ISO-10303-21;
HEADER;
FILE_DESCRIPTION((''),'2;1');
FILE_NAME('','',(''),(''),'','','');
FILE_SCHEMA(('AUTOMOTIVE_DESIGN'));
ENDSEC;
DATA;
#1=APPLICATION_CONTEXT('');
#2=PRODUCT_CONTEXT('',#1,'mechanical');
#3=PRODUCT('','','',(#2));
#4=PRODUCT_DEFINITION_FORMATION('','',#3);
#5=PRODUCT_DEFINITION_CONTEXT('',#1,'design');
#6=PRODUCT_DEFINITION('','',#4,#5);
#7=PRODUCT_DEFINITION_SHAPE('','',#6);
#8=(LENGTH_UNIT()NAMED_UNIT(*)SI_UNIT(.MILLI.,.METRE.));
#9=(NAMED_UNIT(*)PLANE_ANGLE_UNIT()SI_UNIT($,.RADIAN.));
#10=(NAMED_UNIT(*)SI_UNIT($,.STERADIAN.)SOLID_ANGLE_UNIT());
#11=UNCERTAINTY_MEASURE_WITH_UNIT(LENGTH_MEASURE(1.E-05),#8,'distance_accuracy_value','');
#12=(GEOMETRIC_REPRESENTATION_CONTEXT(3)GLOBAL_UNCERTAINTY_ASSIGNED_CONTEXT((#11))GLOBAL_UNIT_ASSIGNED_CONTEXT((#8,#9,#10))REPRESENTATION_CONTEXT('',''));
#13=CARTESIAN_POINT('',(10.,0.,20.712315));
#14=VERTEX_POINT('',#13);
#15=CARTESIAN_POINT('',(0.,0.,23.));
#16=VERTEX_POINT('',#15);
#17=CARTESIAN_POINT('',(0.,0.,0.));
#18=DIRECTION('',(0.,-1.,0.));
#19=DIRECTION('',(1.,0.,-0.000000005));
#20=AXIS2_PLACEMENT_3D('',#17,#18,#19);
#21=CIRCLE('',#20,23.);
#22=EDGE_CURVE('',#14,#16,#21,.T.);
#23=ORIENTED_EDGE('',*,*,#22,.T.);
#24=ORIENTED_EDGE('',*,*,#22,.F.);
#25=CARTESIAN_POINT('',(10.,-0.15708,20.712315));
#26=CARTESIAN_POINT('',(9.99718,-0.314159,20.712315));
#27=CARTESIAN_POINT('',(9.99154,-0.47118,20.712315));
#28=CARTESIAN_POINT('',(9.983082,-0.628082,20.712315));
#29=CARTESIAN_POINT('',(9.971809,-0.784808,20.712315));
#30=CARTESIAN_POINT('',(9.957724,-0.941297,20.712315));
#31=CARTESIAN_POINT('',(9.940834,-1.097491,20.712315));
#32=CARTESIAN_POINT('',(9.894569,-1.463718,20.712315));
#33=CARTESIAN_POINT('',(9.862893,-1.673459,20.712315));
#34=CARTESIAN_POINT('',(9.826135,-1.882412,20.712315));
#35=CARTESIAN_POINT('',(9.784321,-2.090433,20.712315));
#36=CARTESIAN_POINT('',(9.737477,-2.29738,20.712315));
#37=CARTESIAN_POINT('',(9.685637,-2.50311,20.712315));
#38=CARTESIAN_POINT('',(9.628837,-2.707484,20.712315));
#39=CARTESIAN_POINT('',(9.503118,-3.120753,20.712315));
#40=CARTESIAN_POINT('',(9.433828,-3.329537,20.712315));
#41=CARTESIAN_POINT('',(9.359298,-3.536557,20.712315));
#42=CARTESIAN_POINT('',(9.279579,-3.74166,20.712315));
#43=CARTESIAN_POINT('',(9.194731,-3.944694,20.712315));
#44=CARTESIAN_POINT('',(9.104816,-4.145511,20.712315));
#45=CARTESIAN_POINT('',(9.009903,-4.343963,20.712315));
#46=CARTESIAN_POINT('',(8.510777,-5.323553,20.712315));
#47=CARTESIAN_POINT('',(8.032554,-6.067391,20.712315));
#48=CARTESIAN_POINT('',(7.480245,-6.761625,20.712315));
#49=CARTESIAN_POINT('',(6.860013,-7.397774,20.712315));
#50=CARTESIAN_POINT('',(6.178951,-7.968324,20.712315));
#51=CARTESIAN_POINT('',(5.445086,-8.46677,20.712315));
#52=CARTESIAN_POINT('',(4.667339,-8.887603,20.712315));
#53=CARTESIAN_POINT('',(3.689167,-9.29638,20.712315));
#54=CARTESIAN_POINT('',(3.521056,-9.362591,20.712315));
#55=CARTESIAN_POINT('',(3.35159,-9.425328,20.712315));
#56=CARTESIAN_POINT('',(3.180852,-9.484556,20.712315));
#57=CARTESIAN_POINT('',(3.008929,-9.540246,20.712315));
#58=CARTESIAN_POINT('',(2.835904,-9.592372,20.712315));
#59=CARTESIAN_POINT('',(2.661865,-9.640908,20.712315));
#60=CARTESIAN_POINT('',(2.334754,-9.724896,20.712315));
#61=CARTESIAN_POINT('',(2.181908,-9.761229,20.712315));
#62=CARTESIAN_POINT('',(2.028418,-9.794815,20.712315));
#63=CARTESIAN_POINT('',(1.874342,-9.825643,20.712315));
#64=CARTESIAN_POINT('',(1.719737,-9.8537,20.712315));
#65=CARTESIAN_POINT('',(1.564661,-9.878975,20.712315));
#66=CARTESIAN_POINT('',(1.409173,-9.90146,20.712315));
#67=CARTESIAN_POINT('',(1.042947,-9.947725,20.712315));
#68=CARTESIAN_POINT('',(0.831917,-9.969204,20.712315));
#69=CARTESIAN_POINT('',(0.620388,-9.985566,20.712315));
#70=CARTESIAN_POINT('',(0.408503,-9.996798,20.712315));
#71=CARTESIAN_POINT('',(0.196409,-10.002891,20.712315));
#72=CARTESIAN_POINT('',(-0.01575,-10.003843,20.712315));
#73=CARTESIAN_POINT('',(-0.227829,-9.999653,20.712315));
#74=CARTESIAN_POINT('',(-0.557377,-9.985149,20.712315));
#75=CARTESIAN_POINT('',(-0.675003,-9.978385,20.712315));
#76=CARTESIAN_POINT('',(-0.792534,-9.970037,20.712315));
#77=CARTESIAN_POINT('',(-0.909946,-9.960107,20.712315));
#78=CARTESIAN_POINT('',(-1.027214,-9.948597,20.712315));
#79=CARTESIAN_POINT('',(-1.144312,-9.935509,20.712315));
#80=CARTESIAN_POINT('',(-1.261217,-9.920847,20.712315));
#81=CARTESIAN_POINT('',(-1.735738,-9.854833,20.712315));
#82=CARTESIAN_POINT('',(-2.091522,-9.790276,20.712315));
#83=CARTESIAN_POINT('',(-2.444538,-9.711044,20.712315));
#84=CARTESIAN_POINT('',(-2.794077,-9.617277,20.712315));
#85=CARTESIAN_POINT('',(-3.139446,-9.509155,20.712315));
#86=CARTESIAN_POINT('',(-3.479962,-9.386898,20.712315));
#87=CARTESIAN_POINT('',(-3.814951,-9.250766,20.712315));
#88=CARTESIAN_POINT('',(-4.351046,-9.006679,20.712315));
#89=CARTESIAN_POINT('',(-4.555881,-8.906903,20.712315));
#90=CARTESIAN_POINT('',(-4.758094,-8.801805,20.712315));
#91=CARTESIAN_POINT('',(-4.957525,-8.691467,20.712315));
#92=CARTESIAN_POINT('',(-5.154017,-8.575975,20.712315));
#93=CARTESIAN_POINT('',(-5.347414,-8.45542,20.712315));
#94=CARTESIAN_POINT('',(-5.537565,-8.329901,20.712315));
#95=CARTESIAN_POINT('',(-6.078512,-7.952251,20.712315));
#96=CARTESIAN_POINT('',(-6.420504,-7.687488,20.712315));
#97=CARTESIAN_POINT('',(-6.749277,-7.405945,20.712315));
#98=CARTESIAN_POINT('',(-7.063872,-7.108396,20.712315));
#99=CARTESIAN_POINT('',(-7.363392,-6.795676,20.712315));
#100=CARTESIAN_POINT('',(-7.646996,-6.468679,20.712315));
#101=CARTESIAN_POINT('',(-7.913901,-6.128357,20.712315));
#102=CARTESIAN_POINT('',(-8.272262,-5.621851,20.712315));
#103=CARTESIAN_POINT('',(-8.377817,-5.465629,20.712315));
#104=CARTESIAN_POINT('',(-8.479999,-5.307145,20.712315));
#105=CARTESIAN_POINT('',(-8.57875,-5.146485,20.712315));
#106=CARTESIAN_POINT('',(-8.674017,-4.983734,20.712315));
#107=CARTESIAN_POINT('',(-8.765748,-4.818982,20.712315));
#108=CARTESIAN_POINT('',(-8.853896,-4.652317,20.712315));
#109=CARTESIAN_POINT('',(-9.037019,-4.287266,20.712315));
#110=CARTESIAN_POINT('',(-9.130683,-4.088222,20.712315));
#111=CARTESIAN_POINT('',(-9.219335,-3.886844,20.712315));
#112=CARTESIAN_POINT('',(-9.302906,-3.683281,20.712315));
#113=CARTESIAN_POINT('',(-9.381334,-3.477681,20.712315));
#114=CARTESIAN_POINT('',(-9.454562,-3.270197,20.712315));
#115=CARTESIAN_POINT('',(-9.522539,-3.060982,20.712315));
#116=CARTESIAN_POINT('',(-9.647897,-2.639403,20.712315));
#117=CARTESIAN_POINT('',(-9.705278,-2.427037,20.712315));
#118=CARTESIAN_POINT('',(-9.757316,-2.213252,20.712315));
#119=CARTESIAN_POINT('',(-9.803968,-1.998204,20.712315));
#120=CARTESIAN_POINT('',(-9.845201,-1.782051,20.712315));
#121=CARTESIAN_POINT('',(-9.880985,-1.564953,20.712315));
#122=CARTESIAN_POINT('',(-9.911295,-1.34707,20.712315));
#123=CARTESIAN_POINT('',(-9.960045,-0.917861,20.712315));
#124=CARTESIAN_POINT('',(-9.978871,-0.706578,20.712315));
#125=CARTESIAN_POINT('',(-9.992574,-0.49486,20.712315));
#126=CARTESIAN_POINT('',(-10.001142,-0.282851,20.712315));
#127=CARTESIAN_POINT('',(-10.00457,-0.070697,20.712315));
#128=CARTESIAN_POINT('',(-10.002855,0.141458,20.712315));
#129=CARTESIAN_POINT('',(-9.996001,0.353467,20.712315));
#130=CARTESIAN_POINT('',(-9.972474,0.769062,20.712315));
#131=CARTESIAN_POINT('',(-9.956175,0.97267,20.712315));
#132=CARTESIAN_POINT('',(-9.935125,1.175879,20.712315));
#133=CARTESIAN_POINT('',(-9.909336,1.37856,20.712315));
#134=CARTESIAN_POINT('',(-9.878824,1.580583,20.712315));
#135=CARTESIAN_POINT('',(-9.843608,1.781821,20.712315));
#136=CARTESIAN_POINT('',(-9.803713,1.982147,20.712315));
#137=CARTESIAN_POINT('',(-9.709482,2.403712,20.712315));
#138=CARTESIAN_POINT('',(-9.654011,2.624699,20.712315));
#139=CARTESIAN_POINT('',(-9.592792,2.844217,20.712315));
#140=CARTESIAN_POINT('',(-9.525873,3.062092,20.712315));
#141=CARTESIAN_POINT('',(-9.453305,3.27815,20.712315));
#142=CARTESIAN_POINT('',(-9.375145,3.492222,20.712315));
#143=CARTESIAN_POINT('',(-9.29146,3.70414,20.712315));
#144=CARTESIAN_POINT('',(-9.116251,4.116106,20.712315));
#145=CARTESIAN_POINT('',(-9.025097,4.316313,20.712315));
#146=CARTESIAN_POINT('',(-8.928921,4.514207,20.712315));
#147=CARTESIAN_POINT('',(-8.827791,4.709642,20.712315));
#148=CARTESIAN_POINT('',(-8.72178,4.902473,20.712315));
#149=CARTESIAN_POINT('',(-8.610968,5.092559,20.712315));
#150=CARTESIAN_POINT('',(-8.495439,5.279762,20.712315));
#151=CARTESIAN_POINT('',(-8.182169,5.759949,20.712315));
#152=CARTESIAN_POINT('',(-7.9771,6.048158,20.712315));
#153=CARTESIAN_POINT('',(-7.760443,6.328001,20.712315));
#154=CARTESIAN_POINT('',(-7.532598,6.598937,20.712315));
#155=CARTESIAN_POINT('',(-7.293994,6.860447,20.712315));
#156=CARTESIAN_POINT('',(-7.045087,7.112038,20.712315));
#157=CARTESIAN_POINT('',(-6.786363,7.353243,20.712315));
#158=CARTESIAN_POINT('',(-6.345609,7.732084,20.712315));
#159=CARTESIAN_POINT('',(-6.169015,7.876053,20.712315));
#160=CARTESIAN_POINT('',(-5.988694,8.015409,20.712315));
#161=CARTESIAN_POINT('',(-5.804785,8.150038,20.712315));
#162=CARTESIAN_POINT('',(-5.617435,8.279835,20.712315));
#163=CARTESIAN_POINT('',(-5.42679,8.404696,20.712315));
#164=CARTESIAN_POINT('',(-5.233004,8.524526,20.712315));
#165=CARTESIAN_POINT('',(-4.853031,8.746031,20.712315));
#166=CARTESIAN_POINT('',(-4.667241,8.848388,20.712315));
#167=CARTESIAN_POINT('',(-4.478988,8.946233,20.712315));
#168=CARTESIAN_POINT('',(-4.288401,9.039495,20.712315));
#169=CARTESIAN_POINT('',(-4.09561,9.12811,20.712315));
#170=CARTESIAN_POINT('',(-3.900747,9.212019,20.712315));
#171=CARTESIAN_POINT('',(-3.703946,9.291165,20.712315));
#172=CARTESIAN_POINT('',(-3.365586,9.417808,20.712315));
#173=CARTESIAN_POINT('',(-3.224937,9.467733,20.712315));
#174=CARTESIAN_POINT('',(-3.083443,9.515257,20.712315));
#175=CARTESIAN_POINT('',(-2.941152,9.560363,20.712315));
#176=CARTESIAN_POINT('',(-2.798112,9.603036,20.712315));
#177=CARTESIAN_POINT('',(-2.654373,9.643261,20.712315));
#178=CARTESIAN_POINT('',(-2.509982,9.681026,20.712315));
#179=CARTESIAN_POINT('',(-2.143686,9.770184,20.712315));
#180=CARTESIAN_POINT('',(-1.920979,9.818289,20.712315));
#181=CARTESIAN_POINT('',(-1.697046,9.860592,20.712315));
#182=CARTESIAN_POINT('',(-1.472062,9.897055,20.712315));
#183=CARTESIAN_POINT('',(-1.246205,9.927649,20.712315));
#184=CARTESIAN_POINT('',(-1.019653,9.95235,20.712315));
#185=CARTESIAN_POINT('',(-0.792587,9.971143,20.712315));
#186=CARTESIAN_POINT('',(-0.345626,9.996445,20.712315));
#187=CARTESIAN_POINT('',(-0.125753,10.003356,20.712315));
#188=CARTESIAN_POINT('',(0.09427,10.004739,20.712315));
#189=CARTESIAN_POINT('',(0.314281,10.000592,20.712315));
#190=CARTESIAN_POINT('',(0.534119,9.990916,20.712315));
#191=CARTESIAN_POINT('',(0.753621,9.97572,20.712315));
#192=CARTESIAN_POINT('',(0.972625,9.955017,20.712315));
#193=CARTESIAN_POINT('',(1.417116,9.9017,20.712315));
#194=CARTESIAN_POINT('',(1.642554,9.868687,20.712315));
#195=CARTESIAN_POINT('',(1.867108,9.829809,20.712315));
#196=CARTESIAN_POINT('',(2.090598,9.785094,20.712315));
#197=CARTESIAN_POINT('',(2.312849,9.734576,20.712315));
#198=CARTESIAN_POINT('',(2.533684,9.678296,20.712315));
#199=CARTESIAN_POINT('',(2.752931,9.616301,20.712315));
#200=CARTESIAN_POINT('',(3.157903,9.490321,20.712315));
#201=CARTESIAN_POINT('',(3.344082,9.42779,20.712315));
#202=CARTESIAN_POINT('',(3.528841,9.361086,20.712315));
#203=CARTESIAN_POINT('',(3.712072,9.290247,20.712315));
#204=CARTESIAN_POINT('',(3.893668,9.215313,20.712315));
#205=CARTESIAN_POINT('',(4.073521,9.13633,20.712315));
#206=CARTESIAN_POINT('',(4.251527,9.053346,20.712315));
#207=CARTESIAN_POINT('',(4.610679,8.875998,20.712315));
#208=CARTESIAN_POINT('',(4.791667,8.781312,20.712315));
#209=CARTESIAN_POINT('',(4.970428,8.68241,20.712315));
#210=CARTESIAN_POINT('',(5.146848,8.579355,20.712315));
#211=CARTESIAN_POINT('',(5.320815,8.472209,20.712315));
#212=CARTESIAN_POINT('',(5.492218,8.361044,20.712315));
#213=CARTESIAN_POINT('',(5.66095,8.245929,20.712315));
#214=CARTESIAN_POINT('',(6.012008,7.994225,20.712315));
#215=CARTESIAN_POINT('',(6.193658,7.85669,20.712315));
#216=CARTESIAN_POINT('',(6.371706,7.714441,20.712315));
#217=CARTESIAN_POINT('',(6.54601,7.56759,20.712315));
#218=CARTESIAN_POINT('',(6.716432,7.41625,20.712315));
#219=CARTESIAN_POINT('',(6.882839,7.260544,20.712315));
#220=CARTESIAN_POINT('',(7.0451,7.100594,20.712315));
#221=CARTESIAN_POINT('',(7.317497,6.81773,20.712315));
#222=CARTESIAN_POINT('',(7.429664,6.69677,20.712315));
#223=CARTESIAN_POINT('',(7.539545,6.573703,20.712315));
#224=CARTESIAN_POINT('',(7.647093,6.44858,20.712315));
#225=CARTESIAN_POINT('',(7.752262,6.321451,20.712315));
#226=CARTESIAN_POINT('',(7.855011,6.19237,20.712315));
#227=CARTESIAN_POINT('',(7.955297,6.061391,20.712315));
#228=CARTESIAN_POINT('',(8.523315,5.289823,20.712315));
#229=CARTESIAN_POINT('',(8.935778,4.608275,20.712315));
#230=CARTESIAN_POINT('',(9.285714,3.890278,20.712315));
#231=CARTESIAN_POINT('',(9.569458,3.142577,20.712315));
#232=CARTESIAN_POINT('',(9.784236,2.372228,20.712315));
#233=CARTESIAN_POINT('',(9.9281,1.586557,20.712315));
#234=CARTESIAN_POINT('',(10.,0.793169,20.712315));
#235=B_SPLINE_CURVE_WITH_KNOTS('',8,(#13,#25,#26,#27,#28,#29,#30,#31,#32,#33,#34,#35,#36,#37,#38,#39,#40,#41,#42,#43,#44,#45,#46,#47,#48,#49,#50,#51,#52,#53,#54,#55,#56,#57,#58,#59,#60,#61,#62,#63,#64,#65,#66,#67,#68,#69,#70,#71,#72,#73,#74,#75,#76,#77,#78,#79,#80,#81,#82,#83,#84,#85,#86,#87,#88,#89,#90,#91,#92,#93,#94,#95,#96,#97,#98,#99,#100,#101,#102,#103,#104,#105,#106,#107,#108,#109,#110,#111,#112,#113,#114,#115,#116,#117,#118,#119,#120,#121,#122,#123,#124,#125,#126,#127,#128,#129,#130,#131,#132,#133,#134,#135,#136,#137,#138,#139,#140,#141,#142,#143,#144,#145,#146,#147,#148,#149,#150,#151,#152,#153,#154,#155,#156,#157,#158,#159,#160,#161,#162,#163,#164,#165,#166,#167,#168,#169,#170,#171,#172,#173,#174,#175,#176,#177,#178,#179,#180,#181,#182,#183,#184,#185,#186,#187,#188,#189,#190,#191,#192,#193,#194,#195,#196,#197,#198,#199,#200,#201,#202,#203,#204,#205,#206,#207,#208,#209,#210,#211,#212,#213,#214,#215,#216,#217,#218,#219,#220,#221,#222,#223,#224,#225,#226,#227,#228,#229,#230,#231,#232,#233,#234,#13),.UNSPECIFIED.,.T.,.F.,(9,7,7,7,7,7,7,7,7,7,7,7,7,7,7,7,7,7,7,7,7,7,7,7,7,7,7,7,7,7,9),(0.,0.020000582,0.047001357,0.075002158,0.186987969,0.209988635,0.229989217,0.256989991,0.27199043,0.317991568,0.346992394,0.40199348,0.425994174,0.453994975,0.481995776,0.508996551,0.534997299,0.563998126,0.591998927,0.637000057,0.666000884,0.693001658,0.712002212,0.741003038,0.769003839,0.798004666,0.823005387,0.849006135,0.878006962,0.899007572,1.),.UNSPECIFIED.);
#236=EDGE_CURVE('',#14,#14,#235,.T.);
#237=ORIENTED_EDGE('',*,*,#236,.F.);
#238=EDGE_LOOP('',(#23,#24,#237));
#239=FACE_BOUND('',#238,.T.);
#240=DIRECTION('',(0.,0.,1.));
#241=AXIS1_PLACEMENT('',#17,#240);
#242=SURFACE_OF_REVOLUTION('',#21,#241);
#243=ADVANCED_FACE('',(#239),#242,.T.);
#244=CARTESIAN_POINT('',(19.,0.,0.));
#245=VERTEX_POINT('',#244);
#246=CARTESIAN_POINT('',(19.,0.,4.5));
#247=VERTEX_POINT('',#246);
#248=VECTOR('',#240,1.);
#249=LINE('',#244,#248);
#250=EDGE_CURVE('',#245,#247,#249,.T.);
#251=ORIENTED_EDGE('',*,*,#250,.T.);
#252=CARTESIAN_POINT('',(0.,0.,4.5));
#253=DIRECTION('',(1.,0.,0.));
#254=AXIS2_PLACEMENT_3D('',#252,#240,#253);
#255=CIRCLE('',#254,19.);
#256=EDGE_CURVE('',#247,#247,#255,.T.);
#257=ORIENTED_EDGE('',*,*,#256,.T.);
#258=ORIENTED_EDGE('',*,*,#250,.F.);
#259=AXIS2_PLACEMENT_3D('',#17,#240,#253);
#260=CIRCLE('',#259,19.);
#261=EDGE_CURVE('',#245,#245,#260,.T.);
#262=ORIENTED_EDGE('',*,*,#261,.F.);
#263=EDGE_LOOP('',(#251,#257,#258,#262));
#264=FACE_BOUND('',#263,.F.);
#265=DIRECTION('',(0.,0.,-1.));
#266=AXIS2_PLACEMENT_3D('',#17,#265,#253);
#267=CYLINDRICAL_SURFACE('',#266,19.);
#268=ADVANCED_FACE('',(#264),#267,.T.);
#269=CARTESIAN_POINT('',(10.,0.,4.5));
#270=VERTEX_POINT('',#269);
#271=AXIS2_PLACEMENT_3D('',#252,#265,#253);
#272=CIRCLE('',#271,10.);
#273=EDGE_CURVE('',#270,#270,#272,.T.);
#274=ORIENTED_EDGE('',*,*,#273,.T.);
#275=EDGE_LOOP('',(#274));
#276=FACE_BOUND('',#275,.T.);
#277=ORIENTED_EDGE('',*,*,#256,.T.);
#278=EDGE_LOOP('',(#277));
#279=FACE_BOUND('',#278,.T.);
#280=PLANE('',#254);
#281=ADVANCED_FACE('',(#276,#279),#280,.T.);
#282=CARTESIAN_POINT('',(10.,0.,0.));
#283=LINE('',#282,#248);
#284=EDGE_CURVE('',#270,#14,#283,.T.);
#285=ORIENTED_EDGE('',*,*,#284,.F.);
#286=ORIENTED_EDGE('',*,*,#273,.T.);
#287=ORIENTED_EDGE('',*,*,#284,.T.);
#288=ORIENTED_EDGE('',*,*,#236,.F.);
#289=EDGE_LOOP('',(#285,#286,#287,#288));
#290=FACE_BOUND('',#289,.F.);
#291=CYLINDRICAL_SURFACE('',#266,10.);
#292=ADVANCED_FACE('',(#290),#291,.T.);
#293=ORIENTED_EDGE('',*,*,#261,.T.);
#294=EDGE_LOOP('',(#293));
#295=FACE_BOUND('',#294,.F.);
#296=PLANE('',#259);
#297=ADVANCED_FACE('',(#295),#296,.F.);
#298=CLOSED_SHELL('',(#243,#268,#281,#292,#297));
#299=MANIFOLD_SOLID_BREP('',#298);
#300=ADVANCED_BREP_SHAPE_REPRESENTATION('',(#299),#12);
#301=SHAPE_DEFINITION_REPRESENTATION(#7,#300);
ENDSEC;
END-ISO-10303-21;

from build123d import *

# Parameters (mm, degrees)
CYLINDER001_R     = 19
CYLINDER001_DEPTH = 4.5
CYLINDER_R        = 10
CYLINDER_DEPTH    = 27


with BuildPart() as cilindro001:
    # Cylinder001 → Cylinder001 (new body)
    with BuildSketch(Plane.XY):
        Circle(CYLINDER001_R)
    extrude(amount=CYLINDER001_DEPTH)


with BuildPart() as cilindro:
    # Cylinder → Cylinder (new body)
    with BuildSketch(Plane.XY):
        Circle(CYLINDER_R)
    extrude(amount=CYLINDER_DEPTH)


with BuildPart() as fusion:
    # Sphere → Sphere (revolve)
    with BuildSketch(Plane.XZ):
        with BuildLine():
            ThreePointArc((23, 0), (16.263456, 16.263456), (0, 23))
            Line((0, 23), (0, 0))
            Line((0, 0), (23, 0))
        make_face()
    revolve(axis=Axis((0, 0, 0), (0, 0, 1)))

    # Common: intersect Cilindro
    add(cilindro.part, mode=Mode.INTERSECT)

    # Fusion: union Cilindro001
    add(cilindro001.part)


solid = fusion.part
